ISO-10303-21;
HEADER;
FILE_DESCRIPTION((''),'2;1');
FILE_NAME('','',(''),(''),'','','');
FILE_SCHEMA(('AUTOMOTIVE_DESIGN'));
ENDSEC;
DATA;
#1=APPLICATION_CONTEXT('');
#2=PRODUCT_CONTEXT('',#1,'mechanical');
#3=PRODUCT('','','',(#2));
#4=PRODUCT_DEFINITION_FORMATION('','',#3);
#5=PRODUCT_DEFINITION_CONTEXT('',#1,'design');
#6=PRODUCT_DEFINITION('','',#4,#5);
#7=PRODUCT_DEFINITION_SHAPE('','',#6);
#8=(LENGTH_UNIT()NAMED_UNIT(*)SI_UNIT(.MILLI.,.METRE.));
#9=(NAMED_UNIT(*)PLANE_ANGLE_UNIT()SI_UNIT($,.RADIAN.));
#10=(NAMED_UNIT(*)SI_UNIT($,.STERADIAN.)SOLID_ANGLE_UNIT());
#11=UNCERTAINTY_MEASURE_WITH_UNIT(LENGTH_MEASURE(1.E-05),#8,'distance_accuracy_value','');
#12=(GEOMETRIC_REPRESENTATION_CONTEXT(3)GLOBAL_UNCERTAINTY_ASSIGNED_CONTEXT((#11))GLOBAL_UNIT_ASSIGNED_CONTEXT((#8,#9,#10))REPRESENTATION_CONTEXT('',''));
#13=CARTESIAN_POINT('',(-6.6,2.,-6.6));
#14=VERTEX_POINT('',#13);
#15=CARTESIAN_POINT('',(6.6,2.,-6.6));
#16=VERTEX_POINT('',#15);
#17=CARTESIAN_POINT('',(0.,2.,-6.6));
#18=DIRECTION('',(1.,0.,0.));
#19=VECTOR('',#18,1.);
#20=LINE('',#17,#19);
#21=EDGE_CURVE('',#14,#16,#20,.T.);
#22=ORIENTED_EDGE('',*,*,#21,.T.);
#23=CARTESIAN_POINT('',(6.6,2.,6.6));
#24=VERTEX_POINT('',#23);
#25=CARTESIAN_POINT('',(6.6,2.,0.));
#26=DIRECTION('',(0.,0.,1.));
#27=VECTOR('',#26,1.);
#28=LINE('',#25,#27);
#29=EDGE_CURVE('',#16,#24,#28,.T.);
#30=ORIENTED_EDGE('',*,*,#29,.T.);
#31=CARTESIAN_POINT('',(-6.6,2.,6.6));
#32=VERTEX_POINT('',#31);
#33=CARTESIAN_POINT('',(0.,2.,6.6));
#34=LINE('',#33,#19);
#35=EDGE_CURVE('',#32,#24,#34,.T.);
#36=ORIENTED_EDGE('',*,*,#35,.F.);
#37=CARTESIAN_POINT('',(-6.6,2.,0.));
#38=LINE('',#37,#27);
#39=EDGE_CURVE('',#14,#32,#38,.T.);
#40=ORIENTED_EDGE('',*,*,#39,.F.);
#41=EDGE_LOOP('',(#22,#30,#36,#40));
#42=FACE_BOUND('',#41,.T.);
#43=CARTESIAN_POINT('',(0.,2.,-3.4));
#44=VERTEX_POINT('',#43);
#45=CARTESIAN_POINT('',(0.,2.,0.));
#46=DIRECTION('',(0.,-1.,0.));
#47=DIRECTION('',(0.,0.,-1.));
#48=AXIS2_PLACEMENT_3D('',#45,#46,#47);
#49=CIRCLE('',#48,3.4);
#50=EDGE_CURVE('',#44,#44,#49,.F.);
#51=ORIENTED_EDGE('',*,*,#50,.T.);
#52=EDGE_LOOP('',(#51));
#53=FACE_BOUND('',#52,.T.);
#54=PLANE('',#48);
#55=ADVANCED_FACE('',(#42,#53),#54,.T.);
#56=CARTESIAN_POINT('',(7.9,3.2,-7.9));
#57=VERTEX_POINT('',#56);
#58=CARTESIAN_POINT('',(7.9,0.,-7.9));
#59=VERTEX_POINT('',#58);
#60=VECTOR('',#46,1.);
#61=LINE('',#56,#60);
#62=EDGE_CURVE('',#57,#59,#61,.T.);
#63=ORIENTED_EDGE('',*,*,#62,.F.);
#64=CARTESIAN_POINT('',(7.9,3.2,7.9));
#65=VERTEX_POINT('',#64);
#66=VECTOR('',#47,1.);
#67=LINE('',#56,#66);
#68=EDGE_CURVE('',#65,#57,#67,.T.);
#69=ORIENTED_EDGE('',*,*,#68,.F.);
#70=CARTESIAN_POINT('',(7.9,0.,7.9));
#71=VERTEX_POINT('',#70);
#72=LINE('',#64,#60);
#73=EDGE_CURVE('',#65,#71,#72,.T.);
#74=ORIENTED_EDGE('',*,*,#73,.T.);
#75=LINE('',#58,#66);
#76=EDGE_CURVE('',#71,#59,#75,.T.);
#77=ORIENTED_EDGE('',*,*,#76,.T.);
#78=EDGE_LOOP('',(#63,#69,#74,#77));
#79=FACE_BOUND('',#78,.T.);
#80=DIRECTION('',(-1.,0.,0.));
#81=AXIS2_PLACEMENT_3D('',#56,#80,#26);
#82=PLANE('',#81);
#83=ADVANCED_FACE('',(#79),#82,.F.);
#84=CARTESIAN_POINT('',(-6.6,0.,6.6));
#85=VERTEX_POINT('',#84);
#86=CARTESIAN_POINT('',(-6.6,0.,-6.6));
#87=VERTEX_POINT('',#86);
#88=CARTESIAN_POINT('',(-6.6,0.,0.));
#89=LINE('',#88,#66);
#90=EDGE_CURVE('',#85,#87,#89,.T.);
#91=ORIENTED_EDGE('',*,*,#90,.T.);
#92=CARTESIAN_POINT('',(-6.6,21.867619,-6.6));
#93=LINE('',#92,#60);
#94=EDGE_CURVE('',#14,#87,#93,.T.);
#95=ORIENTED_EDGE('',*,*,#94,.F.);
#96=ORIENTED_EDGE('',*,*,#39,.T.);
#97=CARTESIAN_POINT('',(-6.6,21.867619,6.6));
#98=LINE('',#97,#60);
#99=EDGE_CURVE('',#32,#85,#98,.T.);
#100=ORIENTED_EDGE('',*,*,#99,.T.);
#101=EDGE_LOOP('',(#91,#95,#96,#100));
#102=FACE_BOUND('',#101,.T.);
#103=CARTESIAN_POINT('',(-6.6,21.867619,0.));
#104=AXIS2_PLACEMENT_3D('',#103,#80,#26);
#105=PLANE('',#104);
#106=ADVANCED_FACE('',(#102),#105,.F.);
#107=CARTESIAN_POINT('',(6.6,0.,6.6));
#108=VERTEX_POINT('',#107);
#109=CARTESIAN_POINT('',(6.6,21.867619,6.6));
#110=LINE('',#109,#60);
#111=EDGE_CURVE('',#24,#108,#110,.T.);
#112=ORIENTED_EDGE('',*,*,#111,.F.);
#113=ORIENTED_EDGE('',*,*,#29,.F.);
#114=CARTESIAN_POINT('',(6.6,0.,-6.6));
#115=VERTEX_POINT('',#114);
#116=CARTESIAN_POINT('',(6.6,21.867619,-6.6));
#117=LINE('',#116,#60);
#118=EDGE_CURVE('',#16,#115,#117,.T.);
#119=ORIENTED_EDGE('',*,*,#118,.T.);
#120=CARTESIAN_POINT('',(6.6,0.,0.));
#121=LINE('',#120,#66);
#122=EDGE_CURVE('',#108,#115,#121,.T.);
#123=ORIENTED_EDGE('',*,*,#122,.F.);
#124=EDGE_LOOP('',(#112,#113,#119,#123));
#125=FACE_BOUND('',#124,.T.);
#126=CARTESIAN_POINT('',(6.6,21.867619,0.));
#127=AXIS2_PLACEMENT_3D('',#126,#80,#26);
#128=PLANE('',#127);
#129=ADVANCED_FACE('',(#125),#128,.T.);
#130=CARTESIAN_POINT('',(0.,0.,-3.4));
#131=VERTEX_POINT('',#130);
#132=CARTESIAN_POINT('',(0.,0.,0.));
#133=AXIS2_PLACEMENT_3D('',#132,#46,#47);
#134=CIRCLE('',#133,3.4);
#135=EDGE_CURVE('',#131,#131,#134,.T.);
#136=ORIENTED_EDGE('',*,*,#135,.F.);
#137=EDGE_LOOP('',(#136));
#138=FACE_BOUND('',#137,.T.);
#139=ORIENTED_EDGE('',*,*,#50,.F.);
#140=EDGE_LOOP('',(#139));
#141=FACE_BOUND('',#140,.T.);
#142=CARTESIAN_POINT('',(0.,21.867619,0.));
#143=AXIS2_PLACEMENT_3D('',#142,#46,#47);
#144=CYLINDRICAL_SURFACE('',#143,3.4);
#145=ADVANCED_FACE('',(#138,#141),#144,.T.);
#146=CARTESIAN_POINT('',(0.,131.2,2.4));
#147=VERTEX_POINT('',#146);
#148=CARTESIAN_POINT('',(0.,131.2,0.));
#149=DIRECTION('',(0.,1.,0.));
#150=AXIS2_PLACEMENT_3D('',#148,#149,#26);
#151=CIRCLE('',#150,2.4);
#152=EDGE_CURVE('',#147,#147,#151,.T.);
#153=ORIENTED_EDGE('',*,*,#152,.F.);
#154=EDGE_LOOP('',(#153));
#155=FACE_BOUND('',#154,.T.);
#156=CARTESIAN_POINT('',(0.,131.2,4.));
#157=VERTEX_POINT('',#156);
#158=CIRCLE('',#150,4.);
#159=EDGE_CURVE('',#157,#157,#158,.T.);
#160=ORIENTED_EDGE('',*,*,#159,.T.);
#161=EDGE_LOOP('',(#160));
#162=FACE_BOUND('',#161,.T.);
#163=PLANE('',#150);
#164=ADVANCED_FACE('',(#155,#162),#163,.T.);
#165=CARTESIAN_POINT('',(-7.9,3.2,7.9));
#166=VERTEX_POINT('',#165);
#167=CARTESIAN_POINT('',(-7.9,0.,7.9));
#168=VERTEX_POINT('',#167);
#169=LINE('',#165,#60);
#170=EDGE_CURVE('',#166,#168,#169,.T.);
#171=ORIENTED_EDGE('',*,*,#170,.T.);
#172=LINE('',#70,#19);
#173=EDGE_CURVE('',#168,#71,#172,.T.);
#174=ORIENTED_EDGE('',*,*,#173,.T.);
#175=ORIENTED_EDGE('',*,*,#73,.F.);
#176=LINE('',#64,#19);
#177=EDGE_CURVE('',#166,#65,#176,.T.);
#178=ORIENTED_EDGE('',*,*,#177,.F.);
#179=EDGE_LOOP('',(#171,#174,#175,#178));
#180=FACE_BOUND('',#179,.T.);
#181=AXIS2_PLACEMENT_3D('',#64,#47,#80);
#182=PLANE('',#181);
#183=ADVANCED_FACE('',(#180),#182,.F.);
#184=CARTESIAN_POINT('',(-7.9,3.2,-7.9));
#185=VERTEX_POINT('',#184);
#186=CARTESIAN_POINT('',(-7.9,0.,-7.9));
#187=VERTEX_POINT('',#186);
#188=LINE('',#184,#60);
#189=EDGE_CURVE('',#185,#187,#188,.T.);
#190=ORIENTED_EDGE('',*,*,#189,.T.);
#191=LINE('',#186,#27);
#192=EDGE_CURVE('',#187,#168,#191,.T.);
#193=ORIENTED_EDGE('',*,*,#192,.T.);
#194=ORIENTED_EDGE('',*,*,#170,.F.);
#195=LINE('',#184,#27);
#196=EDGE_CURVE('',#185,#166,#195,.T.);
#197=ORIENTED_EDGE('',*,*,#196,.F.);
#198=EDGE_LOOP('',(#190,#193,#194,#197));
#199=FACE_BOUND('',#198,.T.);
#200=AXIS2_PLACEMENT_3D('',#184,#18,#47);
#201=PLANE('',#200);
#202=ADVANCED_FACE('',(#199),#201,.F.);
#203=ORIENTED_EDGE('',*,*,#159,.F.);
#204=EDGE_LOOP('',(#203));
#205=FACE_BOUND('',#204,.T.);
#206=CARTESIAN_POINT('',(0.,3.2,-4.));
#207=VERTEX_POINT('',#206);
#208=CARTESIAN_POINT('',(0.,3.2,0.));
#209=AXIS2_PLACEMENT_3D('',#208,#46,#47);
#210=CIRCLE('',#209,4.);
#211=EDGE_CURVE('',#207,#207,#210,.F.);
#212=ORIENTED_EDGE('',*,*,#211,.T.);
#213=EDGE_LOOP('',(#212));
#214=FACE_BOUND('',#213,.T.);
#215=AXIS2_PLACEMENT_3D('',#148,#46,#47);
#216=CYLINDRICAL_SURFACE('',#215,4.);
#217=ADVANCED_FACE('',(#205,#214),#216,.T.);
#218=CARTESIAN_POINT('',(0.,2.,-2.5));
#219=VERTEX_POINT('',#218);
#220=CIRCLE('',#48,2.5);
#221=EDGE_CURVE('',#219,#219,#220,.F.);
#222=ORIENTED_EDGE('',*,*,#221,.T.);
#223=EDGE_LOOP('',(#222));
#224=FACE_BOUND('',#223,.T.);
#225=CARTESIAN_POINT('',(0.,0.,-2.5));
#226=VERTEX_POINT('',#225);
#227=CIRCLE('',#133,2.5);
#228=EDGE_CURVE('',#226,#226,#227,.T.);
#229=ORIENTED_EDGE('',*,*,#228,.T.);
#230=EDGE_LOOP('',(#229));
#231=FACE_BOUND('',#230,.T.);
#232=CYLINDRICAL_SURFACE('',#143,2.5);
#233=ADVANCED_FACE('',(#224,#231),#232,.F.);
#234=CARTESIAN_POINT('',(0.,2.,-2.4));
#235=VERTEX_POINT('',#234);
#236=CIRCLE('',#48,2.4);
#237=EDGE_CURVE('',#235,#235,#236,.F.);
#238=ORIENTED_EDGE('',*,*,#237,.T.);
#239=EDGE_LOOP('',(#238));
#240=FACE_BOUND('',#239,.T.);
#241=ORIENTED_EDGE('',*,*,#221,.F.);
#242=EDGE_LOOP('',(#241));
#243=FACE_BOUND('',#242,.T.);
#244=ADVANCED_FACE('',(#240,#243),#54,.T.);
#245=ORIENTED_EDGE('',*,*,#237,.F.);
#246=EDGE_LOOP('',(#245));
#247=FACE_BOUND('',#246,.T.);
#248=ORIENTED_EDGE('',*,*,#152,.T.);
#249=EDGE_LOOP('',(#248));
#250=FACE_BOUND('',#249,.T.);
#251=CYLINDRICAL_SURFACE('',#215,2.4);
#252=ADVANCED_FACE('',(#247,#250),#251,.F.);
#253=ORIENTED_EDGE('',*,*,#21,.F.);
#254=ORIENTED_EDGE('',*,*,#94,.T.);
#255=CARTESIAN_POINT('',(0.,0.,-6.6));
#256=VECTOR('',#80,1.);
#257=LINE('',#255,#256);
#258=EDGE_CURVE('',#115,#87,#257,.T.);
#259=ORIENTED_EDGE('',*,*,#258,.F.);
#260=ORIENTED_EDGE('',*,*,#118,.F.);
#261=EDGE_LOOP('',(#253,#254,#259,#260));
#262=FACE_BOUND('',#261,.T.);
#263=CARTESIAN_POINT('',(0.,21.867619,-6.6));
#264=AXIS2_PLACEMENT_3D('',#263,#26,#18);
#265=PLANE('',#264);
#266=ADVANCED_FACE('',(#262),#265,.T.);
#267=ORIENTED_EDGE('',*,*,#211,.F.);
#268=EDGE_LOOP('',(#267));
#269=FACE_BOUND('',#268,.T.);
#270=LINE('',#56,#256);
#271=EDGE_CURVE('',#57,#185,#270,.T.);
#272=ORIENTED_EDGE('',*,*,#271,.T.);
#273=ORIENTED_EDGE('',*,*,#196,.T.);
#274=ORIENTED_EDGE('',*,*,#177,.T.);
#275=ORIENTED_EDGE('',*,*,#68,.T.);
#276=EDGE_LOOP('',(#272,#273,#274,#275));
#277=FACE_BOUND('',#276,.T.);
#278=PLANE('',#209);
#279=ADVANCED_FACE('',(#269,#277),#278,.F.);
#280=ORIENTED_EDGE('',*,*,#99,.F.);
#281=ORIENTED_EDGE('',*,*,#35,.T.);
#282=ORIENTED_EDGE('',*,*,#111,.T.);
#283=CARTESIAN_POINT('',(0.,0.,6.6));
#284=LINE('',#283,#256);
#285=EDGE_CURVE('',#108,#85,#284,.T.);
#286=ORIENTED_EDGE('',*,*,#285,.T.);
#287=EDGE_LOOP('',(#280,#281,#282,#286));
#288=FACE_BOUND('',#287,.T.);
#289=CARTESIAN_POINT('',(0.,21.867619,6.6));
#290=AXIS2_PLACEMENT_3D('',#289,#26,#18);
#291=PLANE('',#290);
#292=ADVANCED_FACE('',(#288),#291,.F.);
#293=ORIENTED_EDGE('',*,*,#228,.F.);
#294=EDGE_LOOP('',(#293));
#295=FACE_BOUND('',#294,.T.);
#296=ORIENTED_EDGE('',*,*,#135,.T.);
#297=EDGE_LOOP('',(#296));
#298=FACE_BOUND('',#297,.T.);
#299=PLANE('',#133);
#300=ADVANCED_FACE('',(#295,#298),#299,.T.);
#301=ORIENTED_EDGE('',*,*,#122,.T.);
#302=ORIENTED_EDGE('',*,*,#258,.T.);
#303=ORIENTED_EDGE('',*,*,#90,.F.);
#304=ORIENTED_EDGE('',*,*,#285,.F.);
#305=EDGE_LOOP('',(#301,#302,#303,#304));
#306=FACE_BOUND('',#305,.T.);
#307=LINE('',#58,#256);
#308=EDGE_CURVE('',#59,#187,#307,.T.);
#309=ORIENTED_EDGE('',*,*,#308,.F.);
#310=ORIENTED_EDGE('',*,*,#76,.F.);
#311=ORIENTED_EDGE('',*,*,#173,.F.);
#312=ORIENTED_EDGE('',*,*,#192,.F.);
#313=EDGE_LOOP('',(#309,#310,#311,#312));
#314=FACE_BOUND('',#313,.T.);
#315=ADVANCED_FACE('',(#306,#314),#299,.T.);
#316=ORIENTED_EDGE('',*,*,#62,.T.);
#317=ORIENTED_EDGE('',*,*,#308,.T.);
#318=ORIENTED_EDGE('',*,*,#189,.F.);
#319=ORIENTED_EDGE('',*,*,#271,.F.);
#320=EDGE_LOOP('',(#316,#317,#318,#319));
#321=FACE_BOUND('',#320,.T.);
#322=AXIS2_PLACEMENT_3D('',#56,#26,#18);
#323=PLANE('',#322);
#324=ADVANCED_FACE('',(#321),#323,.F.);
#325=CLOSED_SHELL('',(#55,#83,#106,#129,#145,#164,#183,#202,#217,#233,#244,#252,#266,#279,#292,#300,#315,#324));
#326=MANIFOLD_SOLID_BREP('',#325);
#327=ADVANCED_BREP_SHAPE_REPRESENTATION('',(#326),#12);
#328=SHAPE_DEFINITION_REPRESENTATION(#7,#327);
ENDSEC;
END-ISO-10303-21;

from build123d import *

# Parameters (mm, degrees)
SKETCH1_W             = 15.8
SKETCH1_H             = 15.8
BASE_DEPTH            = 3.2
BOTTOM_CUT_DEPTH      = 2
SKETCH3_R             = 4
SKETCH3_R_2           = 2.4
LAMP_POST_DEPTH       = 128
WIRE_BOTTOM_CUT_REACH = 5.2
SKETCH4_R             = 2.4


with BuildPart() as part:
    # Sketch1 → Base (new body)
    with BuildSketch(Plane(origin=(0, 0, 0), x_dir=(1, 0, 0), z_dir=(0, 1, 0))):
        Rectangle(SKETCH1_W, SKETCH1_H)
    extrude(amount=BASE_DEPTH)

    # Sketch2 → Bottom cut (cut)
    with BuildSketch(Plane.XZ):
        with BuildLine():
            Line((6.6, -6.6), (6.6, 6.6))
            Line((6.6, 6.6), (-6.6, 6.6))
            Line((-6.6, 6.6), (-6.6, -6.6))
            Line((-6.6, -6.6), (-1.25, -6.6))
            Line((-1.25, -6.6), (-1.25, -3.161882351))
            ThreePointArc((-1.25, -3.161882351), (-1.911805429, 2.811583184), (3.4, 0))
            ThreePointArc((3.4, 0), (2.811583184, -1.911805429), (1.25, -3.161882351))
            Line((1.25, -3.161882351), (1.25, -6.6))
            Line((1.25, -6.6), (6.6, -6.6))
        make_face()
        with BuildLine():
            ThreePointArc((-1.25, -2.165063509), (0, -2.5), (1.25, -2.165063509))
            Line((1.25, -2.165063509), (-1.25, -2.165063509))
        make_face()
        with BuildLine():
            Line((-1.25, -2.165063509), (1.25, -2.165063509))
            ThreePointArc((1.25, -2.165063509), (2.165063509, -1.25), (2.5, 0))
            ThreePointArc((2.5, 0), (-1.25, 2.165063509), (-1.25, -2.165063509))
        make_face()
        with BuildLine():
            Line((-1.25, -6.6), (1.25, -6.6))
            Line((1.25, -6.6), (1.25, -3.161882351))
            ThreePointArc((1.25, -3.161882351), (0, -3.4), (-1.25, -3.161882351))
            Line((-1.25, -3.161882351), (-1.25, -6.6))
        make_face()
    extrude(amount=-BOTTOM_CUT_DEPTH, mode=Mode.SUBTRACT)

    # Sketch3 → Lamp post (add)
    with BuildSketch(Plane(origin=(0, 3.2, 0), x_dir=(1, 0, 0), z_dir=(0, 1, 0))):
        Circle(SKETCH3_R)
        Circle(SKETCH3_R_2, mode=Mode.SUBTRACT)
    extrude(amount=LAMP_POST_DEPTH)

    # Sketch4 → Wire bottom cut (cut, up to next)
    with BuildSketch(Plane(origin=(0, 3.2, 0), x_dir=(1, 0, 0), z_dir=(0, 1, 0)), mode=Mode.PRIVATE) as wire_bottom_cut_sk1:
        Circle(SKETCH4_R)
    wire_bottom_cut_tool1 = extrude(wire_bottom_cut_sk1.sketch, amount=-WIRE_BOTTOM_CUT_REACH, mode=Mode.PRIVATE) & part.part
    add(wire_bottom_cut_tool1.solids().sort_by_distance((0, 3.2, 0))[0], mode=Mode.SUBTRACT)


solid = part.part
